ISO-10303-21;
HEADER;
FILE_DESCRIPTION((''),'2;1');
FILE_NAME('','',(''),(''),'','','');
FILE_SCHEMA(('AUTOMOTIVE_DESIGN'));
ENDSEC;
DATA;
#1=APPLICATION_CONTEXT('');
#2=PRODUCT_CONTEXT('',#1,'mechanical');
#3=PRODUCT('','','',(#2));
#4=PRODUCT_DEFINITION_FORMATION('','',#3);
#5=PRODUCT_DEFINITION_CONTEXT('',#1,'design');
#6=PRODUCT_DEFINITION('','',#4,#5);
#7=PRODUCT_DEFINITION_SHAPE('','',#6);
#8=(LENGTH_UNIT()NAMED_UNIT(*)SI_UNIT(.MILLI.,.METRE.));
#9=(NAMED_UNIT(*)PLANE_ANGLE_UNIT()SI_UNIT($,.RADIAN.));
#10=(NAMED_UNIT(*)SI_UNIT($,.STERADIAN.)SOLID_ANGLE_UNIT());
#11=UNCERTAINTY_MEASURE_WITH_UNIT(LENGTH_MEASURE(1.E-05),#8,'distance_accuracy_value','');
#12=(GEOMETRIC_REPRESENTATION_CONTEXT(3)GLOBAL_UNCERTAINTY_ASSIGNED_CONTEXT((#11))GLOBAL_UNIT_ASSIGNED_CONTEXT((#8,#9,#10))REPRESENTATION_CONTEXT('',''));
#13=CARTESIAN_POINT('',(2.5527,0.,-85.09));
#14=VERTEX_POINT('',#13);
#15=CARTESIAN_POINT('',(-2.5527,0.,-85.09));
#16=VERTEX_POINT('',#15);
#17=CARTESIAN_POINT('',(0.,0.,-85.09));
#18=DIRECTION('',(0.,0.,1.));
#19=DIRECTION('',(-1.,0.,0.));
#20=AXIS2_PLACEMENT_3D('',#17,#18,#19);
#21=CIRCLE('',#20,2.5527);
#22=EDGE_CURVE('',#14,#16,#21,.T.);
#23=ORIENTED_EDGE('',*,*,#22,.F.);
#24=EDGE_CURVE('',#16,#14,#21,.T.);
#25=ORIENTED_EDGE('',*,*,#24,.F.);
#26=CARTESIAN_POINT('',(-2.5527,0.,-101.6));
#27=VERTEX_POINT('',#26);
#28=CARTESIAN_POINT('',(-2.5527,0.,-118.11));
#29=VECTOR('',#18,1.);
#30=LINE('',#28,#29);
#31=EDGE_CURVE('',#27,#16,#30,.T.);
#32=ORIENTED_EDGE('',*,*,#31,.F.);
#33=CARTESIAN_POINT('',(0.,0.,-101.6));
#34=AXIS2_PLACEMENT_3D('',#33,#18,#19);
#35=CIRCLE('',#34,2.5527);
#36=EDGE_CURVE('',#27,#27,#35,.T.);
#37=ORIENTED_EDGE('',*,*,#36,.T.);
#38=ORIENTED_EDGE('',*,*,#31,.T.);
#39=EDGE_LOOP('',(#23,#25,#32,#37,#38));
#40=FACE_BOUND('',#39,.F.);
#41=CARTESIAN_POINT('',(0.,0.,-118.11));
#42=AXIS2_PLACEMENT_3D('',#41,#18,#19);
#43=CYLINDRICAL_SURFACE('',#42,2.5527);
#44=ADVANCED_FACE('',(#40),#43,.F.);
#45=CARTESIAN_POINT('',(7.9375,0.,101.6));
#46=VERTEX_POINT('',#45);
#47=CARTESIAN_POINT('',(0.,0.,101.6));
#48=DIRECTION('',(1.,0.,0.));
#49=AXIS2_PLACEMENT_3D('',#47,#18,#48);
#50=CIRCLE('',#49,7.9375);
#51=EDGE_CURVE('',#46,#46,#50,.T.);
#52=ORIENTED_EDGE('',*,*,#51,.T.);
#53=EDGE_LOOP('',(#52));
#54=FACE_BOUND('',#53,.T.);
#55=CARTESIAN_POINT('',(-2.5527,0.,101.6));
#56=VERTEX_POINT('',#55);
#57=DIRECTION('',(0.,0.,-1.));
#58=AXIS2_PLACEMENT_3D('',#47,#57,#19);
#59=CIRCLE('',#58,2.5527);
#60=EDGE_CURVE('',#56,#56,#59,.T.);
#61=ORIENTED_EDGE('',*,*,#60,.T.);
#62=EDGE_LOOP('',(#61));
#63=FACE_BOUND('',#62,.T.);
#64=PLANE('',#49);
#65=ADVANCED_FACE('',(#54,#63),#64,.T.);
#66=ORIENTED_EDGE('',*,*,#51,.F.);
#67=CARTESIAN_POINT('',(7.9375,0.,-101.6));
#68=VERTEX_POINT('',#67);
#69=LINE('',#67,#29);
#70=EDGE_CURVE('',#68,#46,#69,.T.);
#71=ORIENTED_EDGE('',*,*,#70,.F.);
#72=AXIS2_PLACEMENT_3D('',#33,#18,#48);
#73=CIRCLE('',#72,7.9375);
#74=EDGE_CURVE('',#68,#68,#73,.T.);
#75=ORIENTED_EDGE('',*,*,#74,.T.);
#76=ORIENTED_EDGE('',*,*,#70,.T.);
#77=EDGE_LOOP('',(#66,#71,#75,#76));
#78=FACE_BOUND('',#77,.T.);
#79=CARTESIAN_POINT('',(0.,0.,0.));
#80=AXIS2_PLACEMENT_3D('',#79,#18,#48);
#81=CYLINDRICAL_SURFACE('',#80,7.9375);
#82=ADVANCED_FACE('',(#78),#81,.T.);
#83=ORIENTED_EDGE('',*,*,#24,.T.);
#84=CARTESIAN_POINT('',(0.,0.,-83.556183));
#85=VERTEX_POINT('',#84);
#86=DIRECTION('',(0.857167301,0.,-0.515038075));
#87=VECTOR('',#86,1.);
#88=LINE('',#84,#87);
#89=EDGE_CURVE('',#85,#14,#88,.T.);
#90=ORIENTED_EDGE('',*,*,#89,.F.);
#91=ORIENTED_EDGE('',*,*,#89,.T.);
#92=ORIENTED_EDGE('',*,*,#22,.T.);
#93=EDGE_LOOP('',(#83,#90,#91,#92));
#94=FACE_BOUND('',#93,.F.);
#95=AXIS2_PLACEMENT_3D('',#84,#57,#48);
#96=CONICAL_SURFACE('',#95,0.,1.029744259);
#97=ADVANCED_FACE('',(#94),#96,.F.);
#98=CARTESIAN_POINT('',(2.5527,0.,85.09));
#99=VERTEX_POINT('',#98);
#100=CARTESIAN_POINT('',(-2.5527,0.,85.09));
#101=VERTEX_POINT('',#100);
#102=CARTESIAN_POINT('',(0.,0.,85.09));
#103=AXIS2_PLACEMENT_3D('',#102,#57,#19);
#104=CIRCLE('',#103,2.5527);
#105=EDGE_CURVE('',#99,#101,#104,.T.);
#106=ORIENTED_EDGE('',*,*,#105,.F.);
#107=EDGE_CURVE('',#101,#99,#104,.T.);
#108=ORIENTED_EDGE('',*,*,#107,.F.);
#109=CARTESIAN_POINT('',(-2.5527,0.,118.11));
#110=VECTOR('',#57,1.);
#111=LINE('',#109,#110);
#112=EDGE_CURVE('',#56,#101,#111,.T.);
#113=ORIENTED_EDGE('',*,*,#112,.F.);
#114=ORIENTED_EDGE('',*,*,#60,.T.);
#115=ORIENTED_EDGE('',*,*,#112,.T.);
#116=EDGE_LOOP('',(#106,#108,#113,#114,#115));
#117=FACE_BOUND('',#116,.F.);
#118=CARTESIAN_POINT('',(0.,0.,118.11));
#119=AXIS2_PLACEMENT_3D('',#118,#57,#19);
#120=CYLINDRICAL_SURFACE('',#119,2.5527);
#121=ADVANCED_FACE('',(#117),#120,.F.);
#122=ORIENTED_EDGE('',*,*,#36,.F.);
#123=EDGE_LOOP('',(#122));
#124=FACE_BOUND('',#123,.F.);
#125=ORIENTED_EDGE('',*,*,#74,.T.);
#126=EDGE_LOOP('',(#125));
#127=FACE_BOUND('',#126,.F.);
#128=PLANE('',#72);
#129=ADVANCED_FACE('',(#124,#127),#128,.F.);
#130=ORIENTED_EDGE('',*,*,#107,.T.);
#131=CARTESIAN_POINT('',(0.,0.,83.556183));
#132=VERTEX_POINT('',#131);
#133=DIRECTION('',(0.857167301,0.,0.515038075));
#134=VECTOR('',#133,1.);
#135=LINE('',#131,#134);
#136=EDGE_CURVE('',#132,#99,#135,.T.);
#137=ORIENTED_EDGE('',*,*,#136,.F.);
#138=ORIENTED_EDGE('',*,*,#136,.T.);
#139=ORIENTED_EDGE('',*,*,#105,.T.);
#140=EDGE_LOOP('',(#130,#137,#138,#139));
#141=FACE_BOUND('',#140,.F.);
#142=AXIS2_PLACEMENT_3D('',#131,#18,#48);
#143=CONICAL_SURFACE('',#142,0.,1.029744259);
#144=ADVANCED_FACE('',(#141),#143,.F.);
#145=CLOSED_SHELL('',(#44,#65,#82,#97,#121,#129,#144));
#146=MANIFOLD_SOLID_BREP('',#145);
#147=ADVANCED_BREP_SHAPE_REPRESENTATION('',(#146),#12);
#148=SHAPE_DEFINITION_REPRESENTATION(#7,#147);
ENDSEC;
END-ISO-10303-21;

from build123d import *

# Parameters (mm, degrees)
F0_R     = 7.9375
F1_DEPTH = 101.6
F3_D     = 5.1054
F3_DEPTH = 16.51
F3_TIP   = 1.5338169022
F5_D     = 5.1054
F5_DEPTH = 16.51
F5_TIP   = 1.5338169022


with BuildPart() as f1:
    # F0 (on Top) → F1 (new body, symmetric)
    with BuildSketch(Plane.XY):
        Circle(F0_R)
    extrude(amount=F1_DEPTH, both=True)

    # F3
    with Locations(Plane.XY.offset(101.6)):
        with Locations((0, 0)):
            Hole(F3_D / 2, depth=F3_DEPTH)
            with Locations((0, 0, -(F3_DEPTH + F3_TIP / 2))):  # 118° drill point
                Cone(0, F3_D / 2, F3_TIP, mode=Mode.SUBTRACT)

    # F5
    with Locations(Plane(origin=(0, 0, -101.6), x_dir=(1, 0, 0), z_dir=(0, 0, -1))):
        with Locations((0, 0)):
            Hole(F5_D / 2, depth=F5_DEPTH)
            with Locations((0, 0, -(F5_DEPTH + F5_TIP / 2))):  # 118° drill point
                Cone(0, F5_D / 2, F5_TIP, mode=Mode.SUBTRACT)


solid = f1.part
